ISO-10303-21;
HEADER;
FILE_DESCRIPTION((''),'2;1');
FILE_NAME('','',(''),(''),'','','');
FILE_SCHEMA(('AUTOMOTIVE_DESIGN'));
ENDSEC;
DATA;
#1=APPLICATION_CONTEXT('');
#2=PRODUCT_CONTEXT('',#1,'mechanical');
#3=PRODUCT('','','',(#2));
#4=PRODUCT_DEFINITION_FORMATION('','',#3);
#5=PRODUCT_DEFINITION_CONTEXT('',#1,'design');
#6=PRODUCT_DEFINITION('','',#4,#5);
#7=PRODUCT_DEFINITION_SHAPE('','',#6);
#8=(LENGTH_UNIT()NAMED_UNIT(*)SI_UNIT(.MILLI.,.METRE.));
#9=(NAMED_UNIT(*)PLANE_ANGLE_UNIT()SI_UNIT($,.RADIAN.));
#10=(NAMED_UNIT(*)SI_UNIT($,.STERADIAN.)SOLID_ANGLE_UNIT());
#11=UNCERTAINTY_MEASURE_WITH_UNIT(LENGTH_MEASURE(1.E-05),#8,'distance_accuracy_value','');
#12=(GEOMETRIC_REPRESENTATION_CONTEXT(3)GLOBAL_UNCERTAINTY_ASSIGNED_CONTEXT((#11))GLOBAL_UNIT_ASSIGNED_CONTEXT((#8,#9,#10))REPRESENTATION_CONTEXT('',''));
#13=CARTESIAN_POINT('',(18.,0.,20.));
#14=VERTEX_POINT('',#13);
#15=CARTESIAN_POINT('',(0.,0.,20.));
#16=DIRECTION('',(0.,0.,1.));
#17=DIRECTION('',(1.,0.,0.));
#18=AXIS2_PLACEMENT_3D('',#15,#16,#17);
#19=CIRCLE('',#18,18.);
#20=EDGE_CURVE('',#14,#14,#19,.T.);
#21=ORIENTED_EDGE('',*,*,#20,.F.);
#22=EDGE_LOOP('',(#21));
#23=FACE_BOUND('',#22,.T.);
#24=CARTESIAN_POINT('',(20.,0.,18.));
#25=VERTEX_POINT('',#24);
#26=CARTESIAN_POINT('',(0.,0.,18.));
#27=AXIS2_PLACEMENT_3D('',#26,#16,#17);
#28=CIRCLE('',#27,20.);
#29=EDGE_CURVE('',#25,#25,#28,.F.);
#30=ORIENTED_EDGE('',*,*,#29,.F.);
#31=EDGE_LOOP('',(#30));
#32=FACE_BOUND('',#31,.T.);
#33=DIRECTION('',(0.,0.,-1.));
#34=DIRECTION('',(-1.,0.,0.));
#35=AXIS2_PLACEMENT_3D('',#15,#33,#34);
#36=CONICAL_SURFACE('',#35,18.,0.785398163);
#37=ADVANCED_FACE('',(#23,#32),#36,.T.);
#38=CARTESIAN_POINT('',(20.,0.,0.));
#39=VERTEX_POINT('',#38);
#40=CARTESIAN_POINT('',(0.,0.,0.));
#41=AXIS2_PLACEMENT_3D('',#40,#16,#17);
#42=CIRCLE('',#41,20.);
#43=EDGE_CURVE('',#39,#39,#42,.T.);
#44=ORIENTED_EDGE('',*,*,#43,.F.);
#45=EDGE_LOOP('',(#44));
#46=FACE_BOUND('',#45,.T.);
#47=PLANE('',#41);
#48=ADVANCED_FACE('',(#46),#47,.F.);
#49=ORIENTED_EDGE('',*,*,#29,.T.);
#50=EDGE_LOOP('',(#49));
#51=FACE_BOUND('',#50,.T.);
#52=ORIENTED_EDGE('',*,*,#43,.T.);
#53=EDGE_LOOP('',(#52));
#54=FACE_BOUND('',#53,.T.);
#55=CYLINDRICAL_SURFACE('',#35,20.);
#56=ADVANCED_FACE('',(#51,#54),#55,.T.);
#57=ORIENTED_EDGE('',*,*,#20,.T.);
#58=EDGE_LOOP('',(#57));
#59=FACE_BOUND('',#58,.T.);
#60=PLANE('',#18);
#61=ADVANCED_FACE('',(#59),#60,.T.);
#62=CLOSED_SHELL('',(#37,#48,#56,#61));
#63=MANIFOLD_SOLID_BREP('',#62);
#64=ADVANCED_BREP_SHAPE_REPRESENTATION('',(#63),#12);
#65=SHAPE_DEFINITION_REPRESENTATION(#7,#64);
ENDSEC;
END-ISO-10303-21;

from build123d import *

# Parameters (mm, degrees)
ESQUISSE1_R        = 20
BOSS_EXTRU_1_DEPTH = 20
CHANFREIN1_SIZE    = 2


with BuildPart() as part:
    # Esquisse1 → Boss.-Extru.1 (new body)
    with BuildSketch(Plane.XY):
        Circle(ESQUISSE1_R)
    extrude(amount=BOSS_EXTRU_1_DEPTH)

    # Chanfrein1
    chanfrein1_edges = [part.edges().sort_by_distance(p)[0] for p in [
        (-20, 0, 20),
    ]]
    chamfer(chanfrein1_edges, length=CHANFREIN1_SIZE)


solid = part.part
